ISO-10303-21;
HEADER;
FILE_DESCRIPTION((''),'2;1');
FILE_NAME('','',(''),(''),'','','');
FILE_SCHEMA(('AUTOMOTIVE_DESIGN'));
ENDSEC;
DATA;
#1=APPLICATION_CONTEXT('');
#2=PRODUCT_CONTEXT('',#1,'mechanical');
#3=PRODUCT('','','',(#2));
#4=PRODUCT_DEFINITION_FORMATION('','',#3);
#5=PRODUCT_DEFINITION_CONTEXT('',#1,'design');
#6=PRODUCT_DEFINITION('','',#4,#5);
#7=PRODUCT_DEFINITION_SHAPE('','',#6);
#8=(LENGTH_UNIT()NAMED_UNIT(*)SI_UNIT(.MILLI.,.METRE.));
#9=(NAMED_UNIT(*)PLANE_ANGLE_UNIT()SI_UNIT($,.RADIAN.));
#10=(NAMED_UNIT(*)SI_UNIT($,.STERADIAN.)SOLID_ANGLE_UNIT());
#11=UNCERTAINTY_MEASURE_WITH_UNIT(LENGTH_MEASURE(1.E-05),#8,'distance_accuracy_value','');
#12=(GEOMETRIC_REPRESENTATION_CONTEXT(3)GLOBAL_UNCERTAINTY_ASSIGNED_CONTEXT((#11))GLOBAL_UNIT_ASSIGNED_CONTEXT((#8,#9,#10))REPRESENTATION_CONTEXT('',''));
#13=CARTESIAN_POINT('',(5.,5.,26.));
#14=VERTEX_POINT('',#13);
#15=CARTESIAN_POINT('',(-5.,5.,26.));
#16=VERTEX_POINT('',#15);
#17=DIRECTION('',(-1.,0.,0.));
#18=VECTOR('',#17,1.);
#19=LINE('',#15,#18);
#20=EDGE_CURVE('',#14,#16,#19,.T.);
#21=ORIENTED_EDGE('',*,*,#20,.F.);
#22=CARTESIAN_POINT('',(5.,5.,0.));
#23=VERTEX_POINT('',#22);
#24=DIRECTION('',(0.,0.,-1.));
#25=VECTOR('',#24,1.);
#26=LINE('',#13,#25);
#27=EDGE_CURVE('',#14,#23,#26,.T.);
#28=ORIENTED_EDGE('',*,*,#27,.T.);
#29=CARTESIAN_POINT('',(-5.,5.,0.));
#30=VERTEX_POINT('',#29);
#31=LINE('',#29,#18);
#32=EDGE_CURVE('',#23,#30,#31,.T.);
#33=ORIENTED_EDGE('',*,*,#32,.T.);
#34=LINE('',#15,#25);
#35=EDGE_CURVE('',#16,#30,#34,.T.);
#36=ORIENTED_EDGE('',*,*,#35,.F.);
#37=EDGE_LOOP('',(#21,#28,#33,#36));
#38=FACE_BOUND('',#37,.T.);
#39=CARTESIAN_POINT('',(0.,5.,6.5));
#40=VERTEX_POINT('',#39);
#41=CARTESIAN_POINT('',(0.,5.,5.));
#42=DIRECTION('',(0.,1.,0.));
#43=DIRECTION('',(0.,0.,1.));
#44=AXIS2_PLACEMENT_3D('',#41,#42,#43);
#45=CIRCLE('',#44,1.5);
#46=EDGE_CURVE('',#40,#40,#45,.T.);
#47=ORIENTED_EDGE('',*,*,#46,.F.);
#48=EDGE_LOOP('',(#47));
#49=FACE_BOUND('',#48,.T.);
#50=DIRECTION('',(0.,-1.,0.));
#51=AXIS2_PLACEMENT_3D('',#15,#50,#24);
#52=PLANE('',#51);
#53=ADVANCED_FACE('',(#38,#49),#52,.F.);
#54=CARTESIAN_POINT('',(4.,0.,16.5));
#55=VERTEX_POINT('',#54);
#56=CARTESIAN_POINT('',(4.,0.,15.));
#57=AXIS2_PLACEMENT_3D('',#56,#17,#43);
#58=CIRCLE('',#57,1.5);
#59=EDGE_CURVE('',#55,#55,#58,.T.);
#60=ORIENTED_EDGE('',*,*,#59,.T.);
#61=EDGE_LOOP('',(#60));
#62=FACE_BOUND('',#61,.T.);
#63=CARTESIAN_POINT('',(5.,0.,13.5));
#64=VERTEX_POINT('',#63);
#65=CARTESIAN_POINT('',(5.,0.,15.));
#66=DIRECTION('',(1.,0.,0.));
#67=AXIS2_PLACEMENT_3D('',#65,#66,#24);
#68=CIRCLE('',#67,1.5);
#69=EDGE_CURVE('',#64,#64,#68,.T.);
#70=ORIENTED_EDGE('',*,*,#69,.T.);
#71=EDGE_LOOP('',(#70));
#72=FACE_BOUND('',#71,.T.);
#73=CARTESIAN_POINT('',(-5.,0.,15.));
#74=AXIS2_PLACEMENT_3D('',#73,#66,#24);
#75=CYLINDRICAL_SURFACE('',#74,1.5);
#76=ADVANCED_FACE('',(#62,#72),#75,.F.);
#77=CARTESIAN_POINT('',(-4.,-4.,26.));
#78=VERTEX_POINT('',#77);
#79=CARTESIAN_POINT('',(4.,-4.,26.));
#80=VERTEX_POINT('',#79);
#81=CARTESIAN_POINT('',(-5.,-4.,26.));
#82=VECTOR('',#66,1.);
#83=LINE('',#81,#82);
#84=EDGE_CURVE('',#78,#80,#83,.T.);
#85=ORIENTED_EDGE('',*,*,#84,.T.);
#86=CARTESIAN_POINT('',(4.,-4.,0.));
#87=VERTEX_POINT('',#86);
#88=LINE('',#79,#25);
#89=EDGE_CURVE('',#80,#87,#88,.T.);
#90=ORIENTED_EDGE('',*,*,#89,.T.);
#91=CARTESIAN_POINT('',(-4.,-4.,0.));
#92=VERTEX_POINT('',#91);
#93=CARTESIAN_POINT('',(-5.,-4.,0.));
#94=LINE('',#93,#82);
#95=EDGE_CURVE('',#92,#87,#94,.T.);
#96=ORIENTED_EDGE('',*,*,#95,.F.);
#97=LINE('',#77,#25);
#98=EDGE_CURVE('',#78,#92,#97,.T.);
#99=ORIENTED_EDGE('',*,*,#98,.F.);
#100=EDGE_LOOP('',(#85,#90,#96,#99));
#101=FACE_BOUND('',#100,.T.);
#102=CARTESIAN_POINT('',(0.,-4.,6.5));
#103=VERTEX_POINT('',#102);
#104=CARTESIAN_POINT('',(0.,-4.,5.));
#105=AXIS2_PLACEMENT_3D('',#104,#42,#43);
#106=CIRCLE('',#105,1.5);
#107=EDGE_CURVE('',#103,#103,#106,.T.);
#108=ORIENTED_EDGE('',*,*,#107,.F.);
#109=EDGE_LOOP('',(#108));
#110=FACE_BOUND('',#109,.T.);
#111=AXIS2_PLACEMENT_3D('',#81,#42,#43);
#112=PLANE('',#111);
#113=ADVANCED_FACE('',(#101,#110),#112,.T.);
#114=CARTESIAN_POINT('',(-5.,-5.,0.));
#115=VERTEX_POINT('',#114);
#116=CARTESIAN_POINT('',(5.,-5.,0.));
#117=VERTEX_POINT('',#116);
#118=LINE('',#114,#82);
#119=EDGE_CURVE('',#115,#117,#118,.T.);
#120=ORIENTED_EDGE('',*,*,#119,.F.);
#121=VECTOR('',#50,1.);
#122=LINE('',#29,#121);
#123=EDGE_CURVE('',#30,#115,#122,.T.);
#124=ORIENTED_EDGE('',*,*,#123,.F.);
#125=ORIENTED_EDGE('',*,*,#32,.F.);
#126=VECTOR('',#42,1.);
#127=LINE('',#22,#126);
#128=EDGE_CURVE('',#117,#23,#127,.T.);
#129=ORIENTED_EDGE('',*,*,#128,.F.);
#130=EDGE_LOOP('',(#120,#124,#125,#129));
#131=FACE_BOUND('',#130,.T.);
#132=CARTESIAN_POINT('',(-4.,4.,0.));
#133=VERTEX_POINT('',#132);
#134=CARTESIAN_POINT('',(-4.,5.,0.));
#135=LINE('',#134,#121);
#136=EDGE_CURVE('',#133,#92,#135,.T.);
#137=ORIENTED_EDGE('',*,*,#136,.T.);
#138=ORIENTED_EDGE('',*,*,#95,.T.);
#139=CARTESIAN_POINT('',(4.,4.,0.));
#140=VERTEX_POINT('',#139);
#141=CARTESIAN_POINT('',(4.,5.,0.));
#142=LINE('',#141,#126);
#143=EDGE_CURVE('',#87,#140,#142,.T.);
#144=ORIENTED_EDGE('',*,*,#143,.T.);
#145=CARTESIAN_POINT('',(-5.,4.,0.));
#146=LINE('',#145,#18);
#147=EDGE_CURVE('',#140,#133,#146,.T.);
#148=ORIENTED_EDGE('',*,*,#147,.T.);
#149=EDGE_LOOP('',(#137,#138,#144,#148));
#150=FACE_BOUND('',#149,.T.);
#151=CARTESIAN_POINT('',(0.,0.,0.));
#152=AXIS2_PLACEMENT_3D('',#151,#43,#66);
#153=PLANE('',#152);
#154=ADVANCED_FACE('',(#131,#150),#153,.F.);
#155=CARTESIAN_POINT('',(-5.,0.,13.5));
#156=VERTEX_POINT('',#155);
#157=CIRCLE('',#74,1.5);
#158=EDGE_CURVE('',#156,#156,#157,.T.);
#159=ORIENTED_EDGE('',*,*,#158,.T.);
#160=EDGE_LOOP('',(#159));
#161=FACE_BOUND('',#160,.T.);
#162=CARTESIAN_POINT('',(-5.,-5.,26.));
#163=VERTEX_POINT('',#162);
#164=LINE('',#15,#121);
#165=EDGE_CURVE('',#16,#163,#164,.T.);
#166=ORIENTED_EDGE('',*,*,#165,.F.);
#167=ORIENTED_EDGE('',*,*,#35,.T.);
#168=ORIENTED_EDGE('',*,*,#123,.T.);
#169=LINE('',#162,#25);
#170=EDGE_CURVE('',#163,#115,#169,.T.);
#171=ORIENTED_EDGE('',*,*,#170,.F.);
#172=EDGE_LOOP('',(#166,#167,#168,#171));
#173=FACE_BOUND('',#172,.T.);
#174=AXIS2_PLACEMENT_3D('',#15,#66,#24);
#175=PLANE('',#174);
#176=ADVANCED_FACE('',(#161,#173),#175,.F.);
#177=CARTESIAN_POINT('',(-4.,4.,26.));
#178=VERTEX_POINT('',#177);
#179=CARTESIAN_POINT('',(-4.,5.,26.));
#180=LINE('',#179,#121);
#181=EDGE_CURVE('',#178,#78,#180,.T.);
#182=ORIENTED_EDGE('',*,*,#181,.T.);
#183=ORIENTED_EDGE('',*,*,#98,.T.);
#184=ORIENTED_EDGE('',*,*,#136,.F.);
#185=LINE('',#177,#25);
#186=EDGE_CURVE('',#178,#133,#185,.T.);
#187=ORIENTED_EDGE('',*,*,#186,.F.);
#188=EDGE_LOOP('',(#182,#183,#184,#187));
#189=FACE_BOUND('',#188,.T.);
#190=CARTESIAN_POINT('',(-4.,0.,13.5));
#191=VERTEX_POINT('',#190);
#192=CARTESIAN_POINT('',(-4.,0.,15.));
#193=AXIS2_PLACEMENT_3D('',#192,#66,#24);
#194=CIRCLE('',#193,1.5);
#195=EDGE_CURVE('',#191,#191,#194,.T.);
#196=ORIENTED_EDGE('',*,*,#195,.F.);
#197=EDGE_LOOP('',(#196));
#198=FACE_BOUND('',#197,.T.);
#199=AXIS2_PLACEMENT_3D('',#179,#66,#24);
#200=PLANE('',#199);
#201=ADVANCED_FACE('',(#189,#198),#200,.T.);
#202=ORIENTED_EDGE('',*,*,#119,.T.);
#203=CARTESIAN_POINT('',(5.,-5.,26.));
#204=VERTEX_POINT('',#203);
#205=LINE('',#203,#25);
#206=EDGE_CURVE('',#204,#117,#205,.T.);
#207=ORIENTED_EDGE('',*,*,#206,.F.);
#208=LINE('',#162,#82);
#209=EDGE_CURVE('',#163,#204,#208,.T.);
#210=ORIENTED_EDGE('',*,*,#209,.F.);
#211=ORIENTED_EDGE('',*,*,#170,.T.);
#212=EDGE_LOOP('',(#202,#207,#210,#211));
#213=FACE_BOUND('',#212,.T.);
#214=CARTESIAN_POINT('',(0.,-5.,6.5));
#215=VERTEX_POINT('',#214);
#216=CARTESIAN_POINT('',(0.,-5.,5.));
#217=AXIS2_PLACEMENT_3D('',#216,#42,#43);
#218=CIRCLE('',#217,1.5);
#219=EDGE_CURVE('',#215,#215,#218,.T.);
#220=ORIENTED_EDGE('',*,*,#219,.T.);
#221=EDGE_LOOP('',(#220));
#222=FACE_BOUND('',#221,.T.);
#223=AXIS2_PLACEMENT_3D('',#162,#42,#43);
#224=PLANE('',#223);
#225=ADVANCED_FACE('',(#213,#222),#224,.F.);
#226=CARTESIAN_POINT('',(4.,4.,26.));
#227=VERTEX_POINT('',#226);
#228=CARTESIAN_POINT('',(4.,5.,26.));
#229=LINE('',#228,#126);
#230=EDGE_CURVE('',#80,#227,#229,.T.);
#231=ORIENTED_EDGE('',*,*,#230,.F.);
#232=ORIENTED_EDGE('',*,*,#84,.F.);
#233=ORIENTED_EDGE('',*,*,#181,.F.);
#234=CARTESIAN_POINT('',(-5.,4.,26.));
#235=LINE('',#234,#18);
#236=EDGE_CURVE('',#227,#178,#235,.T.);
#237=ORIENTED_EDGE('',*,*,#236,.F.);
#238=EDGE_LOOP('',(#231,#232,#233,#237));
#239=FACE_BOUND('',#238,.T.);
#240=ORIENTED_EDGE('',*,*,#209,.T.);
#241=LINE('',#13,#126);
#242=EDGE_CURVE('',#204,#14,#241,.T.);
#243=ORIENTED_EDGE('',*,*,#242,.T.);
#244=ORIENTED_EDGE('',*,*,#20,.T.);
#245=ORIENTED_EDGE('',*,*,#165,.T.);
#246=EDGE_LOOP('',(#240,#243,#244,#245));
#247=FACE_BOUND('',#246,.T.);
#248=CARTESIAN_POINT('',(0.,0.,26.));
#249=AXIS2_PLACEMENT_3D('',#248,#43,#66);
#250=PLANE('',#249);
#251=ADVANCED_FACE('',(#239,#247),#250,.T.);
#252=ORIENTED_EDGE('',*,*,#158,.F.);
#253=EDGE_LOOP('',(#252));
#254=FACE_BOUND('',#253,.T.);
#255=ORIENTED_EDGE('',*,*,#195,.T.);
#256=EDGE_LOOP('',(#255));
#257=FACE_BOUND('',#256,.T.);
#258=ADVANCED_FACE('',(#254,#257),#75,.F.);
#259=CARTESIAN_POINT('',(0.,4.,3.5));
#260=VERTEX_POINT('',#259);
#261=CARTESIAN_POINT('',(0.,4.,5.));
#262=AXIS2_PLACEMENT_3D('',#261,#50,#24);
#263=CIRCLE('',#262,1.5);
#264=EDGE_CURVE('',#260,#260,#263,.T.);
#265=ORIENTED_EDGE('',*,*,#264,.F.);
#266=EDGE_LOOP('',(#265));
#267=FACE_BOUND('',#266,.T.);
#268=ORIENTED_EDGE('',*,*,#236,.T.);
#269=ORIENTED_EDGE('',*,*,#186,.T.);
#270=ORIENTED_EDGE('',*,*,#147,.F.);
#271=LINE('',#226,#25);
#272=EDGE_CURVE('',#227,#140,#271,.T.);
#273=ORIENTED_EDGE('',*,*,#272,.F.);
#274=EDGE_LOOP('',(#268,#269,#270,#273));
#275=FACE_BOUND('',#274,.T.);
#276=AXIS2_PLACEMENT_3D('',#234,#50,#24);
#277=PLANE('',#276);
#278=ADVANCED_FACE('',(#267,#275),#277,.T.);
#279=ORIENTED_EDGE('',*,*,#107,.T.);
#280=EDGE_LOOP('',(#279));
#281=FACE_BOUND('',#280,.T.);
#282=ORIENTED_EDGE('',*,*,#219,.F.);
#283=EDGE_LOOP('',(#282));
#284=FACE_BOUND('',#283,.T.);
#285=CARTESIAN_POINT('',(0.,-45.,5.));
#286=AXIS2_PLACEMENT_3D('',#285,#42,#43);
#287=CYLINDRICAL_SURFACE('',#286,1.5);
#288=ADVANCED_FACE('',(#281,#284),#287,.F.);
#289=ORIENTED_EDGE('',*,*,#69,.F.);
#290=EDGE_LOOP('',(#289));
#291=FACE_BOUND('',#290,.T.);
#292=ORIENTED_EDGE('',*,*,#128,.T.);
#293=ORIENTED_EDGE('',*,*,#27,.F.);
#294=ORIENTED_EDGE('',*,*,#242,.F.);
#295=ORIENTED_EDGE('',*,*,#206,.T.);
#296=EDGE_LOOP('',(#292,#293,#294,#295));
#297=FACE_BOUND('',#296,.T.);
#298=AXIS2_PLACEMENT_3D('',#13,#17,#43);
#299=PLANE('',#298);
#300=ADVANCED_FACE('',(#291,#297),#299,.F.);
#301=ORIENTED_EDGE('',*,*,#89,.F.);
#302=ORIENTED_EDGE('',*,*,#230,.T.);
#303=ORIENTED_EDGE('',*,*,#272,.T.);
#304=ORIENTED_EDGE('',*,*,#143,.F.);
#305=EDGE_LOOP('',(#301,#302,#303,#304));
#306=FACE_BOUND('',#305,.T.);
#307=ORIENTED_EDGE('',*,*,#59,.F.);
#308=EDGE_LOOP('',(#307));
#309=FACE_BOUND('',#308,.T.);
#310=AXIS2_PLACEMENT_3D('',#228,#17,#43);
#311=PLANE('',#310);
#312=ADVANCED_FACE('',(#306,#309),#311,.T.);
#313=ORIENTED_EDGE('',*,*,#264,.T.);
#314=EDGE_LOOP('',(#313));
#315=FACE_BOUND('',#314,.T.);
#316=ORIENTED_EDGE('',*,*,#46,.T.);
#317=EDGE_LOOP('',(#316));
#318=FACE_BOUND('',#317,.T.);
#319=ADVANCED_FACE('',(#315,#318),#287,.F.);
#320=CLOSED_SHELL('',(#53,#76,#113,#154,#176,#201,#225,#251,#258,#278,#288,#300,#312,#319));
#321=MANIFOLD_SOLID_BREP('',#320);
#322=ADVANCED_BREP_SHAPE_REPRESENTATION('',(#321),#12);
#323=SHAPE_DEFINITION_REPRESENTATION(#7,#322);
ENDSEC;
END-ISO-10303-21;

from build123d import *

# Parameters (mm, degrees)
SKETCH_1_W          = 10
SKETCH_1_H          = 10
SKETCH_1_W_2        = 8
SKETCH_1_H_2        = 8
EXTRUDE_1_DEPTH     = 26
SKETCH_2_R          = 1.5
CUT_EXTRUDE_1_DEPTH = 50
SKETCH_3_R          = 1.5
CUT_EXTRUDE_2_DEPTH = 10


with BuildPart() as part:
    # 草图1 → 拉伸-薄壁1 (new body)
    with BuildSketch(Plane.XY):
        Rectangle(SKETCH_1_W, SKETCH_1_H)
        Rectangle(SKETCH_1_W_2, SKETCH_1_H_2, mode=Mode.SUBTRACT)
    extrude(amount=EXTRUDE_1_DEPTH)

    # 草图2 → 切除-拉伸1 (cut)
    with BuildSketch(Plane(origin=(0, 5, 0), x_dir=(1, 0, 0), z_dir=(0, 1, 0))):
        with Locations((0, -5)):
            Circle(SKETCH_2_R)
    extrude(amount=-CUT_EXTRUDE_1_DEPTH, mode=Mode.SUBTRACT)

    # 草图3 → 切除-拉伸2 (cut)
    with BuildSketch(Plane(origin=(5, 0, 0), x_dir=(0, 0, -1), z_dir=(1, 0, 0))):
        with Locations((-15, 0)):
            Circle(SKETCH_3_R)
    extrude(amount=-CUT_EXTRUDE_2_DEPTH, mode=Mode.SUBTRACT)


solid = part.part
